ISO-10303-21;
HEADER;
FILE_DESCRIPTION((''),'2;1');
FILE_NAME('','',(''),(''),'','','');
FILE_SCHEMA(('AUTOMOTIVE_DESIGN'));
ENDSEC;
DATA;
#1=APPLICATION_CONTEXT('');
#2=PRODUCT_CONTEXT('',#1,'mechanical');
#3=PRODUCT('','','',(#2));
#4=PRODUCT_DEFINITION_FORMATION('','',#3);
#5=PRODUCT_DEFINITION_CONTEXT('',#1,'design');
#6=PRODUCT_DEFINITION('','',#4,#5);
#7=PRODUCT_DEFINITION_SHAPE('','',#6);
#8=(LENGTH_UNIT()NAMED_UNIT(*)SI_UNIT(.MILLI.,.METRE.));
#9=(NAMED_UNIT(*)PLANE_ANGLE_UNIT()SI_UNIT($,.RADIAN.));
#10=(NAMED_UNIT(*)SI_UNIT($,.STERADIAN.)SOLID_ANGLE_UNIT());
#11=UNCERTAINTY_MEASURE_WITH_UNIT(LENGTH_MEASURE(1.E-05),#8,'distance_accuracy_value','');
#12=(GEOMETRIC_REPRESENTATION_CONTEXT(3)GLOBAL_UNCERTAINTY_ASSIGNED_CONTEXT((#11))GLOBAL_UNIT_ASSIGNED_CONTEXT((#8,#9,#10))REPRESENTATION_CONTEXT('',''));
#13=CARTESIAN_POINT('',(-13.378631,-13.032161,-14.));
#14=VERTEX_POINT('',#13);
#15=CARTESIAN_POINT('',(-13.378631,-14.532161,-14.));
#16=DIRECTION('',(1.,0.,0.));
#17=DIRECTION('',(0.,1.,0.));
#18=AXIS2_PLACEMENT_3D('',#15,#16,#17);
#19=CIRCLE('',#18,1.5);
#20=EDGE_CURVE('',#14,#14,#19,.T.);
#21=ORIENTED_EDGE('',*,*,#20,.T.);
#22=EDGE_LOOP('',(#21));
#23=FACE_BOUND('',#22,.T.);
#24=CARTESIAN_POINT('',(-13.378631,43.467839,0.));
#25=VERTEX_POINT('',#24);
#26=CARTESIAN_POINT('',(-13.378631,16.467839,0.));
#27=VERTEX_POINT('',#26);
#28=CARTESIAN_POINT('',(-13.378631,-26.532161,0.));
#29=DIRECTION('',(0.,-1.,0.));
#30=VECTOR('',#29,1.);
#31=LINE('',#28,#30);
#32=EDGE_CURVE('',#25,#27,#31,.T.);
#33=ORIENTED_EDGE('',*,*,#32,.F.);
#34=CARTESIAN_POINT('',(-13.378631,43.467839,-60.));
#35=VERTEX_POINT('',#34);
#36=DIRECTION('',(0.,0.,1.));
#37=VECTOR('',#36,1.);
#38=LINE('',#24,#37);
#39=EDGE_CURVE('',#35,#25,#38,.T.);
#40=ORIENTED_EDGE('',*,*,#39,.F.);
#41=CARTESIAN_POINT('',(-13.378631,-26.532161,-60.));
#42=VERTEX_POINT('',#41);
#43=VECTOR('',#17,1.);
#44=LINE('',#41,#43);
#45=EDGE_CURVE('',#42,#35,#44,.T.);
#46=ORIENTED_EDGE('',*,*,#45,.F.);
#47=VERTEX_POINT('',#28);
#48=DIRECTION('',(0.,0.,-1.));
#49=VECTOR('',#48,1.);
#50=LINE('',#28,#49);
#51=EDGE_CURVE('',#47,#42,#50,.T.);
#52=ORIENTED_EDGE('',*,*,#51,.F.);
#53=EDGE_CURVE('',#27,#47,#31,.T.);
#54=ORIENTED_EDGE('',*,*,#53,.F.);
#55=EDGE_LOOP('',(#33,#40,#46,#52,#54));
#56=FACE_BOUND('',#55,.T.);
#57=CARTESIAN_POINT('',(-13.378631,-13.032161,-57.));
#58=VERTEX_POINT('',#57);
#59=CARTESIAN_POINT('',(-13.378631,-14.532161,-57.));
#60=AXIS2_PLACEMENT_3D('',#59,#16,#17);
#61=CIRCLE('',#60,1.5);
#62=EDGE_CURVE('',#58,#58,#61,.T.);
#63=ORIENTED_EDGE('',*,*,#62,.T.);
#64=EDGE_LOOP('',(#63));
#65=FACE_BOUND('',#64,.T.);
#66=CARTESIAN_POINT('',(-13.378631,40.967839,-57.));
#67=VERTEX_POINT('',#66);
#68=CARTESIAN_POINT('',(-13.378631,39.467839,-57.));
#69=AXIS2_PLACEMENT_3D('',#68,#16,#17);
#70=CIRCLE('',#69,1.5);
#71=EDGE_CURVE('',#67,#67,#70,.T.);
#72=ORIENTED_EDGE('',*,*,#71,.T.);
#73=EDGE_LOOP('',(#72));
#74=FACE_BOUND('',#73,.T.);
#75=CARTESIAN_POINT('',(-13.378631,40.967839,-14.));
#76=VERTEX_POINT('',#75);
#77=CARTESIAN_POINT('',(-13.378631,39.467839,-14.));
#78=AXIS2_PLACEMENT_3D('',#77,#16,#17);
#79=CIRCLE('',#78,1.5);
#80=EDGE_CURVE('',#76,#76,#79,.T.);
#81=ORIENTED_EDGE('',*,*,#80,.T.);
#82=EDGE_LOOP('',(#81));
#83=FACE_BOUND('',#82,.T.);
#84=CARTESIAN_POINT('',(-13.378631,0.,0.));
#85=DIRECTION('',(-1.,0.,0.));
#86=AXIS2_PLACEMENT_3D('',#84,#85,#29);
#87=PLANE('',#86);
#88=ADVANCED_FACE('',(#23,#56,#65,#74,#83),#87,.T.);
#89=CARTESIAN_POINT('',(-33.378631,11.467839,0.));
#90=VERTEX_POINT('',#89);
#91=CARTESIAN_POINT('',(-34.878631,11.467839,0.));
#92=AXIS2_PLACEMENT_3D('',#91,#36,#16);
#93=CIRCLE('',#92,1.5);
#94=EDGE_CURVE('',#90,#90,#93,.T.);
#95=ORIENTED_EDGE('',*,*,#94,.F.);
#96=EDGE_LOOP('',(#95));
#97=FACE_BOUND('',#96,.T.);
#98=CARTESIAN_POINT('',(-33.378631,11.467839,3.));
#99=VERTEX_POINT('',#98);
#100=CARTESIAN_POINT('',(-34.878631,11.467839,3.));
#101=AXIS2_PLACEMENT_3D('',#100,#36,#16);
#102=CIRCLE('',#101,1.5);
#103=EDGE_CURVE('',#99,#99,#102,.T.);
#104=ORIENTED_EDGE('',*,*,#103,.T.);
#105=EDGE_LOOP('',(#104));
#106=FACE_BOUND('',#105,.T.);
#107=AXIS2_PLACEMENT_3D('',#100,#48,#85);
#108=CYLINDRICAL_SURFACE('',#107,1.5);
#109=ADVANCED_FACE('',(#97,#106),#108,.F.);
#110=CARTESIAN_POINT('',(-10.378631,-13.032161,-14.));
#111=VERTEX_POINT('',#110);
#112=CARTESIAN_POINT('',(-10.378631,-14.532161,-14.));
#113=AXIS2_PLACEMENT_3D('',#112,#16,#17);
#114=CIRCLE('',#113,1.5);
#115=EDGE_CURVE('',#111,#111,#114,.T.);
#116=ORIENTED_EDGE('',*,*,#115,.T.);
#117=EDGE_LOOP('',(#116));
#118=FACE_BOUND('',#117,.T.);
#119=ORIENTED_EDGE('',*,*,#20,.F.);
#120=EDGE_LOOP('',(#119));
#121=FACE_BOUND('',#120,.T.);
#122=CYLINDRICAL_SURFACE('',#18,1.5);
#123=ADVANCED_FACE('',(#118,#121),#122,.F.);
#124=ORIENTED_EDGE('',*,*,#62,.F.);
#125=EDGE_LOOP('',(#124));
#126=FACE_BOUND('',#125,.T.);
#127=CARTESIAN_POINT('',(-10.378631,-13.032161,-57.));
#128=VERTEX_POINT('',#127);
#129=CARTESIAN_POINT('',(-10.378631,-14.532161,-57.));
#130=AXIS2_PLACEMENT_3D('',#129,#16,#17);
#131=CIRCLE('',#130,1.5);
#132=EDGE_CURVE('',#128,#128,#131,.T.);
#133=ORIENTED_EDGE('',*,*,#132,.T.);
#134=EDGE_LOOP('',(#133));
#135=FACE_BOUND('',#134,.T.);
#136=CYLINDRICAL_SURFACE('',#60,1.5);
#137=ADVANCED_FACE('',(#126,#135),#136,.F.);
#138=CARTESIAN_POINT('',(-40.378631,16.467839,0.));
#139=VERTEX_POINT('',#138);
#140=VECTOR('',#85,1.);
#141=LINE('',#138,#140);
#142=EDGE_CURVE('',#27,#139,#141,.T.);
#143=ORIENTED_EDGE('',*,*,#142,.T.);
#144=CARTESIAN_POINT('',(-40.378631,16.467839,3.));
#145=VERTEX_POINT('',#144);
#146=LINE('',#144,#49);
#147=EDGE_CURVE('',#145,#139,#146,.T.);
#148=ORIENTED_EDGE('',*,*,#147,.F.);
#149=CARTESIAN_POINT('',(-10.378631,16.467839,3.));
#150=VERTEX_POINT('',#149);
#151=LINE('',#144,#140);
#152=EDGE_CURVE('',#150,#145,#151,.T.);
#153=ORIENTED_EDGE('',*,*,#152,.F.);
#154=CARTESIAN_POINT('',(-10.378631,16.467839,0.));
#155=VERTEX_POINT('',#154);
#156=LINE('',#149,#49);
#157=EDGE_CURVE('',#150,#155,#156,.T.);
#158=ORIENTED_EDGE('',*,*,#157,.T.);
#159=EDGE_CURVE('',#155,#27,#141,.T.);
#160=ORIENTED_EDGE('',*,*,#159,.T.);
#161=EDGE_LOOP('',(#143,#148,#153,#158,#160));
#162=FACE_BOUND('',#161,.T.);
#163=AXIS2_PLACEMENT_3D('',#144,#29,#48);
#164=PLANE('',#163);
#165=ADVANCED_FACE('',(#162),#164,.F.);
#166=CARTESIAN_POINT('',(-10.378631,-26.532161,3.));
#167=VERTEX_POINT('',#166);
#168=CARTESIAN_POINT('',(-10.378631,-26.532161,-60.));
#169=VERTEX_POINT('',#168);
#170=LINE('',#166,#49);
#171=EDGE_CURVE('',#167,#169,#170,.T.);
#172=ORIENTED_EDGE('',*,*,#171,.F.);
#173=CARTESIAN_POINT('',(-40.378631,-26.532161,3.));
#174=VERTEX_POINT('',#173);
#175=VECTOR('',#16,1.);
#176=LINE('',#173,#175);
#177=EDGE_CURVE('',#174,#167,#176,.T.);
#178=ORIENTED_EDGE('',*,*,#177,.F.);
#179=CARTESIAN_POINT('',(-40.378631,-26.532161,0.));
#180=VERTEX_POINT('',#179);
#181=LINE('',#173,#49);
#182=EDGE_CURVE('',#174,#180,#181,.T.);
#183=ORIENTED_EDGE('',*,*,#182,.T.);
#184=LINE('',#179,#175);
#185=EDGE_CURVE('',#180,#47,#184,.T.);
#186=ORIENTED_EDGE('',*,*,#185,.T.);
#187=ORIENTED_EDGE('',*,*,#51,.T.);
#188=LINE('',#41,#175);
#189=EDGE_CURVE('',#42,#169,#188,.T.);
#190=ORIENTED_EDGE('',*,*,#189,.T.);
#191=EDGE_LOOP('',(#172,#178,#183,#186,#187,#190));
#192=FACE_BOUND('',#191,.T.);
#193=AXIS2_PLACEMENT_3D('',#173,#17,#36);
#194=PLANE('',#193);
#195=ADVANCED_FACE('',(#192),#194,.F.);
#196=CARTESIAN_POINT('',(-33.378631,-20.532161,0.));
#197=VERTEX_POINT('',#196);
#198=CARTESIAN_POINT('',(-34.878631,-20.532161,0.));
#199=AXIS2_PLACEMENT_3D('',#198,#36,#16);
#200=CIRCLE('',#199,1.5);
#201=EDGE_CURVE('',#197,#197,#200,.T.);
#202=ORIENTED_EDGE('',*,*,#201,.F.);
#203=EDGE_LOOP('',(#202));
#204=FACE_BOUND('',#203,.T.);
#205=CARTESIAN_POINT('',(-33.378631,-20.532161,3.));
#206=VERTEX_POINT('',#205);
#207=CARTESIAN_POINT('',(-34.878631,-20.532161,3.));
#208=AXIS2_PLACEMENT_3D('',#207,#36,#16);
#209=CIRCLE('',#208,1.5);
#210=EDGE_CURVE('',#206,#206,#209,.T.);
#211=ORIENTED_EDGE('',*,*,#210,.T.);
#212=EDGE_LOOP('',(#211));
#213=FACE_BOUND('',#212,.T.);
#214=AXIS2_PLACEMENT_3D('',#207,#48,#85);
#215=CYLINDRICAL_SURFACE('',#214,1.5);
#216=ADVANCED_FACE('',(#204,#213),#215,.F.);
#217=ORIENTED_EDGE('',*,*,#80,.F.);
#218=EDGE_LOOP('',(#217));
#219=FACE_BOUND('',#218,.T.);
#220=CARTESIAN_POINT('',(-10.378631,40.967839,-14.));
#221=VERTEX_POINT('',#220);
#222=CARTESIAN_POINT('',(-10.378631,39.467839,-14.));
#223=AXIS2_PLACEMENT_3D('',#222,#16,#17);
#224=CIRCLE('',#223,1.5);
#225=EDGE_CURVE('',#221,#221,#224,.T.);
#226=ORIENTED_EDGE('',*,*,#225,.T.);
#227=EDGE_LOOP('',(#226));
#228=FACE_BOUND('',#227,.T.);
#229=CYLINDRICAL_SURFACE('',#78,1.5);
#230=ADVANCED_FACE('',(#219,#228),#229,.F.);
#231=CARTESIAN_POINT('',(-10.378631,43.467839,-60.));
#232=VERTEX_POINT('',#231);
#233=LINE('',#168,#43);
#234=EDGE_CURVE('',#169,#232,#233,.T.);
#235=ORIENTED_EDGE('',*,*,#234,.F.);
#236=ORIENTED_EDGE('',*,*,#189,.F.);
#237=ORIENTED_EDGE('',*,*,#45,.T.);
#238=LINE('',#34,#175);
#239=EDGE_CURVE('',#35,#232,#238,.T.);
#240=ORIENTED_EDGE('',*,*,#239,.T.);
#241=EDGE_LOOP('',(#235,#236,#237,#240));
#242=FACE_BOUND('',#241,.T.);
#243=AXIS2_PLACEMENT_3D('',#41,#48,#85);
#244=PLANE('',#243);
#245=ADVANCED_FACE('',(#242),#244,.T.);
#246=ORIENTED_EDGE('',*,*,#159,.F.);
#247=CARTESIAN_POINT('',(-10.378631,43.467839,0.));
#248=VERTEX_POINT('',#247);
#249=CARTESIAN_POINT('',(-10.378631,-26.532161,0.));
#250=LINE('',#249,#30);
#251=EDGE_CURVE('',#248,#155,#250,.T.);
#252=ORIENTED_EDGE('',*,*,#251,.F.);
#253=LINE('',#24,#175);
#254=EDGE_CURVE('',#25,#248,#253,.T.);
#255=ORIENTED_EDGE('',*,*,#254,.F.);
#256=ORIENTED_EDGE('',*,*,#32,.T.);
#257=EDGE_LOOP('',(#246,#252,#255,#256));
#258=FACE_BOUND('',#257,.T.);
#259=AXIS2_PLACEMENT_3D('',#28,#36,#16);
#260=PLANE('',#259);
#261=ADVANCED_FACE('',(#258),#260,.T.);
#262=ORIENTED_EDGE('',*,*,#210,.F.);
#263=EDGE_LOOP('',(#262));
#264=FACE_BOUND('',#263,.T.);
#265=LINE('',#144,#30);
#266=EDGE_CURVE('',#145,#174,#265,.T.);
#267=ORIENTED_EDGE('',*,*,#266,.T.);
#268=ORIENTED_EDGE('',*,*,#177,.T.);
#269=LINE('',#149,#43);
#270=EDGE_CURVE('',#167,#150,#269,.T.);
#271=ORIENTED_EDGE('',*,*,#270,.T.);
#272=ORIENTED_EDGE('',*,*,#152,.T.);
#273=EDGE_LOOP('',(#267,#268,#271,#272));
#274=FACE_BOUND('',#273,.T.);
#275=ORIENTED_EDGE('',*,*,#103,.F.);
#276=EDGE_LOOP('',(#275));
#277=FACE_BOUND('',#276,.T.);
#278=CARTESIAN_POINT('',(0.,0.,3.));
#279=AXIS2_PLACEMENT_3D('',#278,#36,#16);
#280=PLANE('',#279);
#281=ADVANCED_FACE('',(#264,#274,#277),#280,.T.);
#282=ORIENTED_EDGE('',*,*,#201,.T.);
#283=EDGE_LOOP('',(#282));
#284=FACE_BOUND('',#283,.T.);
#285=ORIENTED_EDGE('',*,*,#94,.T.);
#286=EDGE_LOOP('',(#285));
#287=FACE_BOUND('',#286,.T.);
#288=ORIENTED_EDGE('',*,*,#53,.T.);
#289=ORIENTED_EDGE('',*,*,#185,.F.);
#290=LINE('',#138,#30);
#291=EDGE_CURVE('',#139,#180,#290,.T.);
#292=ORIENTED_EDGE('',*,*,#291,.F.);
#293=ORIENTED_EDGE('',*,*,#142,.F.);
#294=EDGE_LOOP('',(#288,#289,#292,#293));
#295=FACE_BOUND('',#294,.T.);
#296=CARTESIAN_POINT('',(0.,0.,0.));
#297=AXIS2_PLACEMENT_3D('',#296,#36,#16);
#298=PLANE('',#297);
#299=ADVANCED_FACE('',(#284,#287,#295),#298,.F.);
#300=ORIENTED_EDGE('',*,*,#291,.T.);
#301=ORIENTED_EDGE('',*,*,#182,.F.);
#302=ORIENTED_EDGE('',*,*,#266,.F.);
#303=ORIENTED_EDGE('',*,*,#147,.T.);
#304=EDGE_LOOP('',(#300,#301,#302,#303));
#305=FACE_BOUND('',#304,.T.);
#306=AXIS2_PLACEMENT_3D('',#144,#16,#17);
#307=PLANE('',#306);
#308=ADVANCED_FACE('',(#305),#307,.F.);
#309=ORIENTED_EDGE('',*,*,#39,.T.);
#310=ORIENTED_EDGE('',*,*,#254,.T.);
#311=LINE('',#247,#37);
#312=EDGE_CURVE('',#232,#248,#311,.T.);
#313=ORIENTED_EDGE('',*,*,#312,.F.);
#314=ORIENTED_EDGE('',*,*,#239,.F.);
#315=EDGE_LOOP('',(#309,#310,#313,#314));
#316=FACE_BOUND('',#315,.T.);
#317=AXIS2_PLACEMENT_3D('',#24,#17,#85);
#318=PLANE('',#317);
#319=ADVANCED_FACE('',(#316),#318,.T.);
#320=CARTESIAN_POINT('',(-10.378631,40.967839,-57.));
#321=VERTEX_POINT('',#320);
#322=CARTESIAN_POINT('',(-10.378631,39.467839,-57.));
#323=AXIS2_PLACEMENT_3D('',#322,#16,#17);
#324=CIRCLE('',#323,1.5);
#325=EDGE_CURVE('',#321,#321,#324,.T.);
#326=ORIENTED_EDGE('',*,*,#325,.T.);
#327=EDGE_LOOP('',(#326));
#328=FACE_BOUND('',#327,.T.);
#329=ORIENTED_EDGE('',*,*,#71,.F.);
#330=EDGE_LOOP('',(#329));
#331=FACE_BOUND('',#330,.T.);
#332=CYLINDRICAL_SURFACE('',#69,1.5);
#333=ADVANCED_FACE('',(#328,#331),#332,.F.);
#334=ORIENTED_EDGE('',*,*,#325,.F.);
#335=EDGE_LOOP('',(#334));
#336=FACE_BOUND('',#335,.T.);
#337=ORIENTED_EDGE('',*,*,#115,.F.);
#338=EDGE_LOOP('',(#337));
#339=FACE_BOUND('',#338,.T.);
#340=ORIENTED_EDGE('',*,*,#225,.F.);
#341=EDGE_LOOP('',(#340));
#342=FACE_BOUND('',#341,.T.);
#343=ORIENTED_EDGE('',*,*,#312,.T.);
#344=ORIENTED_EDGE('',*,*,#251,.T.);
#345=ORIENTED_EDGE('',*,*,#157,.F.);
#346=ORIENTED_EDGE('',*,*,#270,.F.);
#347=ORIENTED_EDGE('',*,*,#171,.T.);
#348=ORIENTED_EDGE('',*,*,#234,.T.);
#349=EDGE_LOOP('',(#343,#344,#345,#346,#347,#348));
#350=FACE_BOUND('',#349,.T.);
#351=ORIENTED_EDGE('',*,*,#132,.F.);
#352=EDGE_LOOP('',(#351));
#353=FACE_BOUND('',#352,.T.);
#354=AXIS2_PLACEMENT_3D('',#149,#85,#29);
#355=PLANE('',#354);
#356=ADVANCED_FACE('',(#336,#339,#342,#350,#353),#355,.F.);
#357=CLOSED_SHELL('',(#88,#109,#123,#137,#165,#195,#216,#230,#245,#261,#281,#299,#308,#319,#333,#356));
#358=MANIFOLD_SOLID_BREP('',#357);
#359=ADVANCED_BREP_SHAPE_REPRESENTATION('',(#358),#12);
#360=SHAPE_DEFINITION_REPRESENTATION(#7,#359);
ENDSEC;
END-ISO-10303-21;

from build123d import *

# Parameters (mm, degrees)
CROQUIS1_W              = 30
CROQUIS1_H              = 43
CROQUIS1_R              = 1.5
SALIENTE_EXTRUIR1_DEPTH = 3
CROQUIS2_W              = 60
CROQUIS2_H              = 70
CROQUIS2_R              = 1.5
SALIENTE_EXTRUIR2_DEPTH = 3


with BuildPart() as part:
    # Croquis1 → Saliente-Extruir1 (new body)
    with BuildSketch(Plane.XY):
        with Locations((-25.378630764, -5.032160817)):
            Rectangle(CROQUIS1_W, CROQUIS1_H)
        with Locations((-34.878630764, 11.467839183)):
            Circle(CROQUIS1_R, mode=Mode.SUBTRACT)
        with Locations((-34.878630764, -20.532160817)):
            Circle(CROQUIS1_R, mode=Mode.SUBTRACT)
    extrude(amount=SALIENTE_EXTRUIR1_DEPTH)

    # Croquis2 → Saliente-Extruir2 (add)
    with BuildSketch(Plane(origin=(-10.378630764, 0, 0), x_dir=(0, 0, -1), z_dir=(1, 0, 0))):
        with Locations((30, 8.467839183)):
            Rectangle(CROQUIS2_W, CROQUIS2_H)
        with Locations((57, 39.467839183)):
            Circle(CROQUIS2_R, mode=Mode.SUBTRACT)
        with Locations((14, 39.467839183)):
            Circle(CROQUIS2_R, mode=Mode.SUBTRACT)
        with Locations((14, -14.532160817)):
            Circle(CROQUIS2_R, mode=Mode.SUBTRACT)
        with Locations((57, -14.532160817)):
            Circle(CROQUIS2_R, mode=Mode.SUBTRACT)
    extrude(amount=-SALIENTE_EXTRUIR2_DEPTH)


solid = part.part
